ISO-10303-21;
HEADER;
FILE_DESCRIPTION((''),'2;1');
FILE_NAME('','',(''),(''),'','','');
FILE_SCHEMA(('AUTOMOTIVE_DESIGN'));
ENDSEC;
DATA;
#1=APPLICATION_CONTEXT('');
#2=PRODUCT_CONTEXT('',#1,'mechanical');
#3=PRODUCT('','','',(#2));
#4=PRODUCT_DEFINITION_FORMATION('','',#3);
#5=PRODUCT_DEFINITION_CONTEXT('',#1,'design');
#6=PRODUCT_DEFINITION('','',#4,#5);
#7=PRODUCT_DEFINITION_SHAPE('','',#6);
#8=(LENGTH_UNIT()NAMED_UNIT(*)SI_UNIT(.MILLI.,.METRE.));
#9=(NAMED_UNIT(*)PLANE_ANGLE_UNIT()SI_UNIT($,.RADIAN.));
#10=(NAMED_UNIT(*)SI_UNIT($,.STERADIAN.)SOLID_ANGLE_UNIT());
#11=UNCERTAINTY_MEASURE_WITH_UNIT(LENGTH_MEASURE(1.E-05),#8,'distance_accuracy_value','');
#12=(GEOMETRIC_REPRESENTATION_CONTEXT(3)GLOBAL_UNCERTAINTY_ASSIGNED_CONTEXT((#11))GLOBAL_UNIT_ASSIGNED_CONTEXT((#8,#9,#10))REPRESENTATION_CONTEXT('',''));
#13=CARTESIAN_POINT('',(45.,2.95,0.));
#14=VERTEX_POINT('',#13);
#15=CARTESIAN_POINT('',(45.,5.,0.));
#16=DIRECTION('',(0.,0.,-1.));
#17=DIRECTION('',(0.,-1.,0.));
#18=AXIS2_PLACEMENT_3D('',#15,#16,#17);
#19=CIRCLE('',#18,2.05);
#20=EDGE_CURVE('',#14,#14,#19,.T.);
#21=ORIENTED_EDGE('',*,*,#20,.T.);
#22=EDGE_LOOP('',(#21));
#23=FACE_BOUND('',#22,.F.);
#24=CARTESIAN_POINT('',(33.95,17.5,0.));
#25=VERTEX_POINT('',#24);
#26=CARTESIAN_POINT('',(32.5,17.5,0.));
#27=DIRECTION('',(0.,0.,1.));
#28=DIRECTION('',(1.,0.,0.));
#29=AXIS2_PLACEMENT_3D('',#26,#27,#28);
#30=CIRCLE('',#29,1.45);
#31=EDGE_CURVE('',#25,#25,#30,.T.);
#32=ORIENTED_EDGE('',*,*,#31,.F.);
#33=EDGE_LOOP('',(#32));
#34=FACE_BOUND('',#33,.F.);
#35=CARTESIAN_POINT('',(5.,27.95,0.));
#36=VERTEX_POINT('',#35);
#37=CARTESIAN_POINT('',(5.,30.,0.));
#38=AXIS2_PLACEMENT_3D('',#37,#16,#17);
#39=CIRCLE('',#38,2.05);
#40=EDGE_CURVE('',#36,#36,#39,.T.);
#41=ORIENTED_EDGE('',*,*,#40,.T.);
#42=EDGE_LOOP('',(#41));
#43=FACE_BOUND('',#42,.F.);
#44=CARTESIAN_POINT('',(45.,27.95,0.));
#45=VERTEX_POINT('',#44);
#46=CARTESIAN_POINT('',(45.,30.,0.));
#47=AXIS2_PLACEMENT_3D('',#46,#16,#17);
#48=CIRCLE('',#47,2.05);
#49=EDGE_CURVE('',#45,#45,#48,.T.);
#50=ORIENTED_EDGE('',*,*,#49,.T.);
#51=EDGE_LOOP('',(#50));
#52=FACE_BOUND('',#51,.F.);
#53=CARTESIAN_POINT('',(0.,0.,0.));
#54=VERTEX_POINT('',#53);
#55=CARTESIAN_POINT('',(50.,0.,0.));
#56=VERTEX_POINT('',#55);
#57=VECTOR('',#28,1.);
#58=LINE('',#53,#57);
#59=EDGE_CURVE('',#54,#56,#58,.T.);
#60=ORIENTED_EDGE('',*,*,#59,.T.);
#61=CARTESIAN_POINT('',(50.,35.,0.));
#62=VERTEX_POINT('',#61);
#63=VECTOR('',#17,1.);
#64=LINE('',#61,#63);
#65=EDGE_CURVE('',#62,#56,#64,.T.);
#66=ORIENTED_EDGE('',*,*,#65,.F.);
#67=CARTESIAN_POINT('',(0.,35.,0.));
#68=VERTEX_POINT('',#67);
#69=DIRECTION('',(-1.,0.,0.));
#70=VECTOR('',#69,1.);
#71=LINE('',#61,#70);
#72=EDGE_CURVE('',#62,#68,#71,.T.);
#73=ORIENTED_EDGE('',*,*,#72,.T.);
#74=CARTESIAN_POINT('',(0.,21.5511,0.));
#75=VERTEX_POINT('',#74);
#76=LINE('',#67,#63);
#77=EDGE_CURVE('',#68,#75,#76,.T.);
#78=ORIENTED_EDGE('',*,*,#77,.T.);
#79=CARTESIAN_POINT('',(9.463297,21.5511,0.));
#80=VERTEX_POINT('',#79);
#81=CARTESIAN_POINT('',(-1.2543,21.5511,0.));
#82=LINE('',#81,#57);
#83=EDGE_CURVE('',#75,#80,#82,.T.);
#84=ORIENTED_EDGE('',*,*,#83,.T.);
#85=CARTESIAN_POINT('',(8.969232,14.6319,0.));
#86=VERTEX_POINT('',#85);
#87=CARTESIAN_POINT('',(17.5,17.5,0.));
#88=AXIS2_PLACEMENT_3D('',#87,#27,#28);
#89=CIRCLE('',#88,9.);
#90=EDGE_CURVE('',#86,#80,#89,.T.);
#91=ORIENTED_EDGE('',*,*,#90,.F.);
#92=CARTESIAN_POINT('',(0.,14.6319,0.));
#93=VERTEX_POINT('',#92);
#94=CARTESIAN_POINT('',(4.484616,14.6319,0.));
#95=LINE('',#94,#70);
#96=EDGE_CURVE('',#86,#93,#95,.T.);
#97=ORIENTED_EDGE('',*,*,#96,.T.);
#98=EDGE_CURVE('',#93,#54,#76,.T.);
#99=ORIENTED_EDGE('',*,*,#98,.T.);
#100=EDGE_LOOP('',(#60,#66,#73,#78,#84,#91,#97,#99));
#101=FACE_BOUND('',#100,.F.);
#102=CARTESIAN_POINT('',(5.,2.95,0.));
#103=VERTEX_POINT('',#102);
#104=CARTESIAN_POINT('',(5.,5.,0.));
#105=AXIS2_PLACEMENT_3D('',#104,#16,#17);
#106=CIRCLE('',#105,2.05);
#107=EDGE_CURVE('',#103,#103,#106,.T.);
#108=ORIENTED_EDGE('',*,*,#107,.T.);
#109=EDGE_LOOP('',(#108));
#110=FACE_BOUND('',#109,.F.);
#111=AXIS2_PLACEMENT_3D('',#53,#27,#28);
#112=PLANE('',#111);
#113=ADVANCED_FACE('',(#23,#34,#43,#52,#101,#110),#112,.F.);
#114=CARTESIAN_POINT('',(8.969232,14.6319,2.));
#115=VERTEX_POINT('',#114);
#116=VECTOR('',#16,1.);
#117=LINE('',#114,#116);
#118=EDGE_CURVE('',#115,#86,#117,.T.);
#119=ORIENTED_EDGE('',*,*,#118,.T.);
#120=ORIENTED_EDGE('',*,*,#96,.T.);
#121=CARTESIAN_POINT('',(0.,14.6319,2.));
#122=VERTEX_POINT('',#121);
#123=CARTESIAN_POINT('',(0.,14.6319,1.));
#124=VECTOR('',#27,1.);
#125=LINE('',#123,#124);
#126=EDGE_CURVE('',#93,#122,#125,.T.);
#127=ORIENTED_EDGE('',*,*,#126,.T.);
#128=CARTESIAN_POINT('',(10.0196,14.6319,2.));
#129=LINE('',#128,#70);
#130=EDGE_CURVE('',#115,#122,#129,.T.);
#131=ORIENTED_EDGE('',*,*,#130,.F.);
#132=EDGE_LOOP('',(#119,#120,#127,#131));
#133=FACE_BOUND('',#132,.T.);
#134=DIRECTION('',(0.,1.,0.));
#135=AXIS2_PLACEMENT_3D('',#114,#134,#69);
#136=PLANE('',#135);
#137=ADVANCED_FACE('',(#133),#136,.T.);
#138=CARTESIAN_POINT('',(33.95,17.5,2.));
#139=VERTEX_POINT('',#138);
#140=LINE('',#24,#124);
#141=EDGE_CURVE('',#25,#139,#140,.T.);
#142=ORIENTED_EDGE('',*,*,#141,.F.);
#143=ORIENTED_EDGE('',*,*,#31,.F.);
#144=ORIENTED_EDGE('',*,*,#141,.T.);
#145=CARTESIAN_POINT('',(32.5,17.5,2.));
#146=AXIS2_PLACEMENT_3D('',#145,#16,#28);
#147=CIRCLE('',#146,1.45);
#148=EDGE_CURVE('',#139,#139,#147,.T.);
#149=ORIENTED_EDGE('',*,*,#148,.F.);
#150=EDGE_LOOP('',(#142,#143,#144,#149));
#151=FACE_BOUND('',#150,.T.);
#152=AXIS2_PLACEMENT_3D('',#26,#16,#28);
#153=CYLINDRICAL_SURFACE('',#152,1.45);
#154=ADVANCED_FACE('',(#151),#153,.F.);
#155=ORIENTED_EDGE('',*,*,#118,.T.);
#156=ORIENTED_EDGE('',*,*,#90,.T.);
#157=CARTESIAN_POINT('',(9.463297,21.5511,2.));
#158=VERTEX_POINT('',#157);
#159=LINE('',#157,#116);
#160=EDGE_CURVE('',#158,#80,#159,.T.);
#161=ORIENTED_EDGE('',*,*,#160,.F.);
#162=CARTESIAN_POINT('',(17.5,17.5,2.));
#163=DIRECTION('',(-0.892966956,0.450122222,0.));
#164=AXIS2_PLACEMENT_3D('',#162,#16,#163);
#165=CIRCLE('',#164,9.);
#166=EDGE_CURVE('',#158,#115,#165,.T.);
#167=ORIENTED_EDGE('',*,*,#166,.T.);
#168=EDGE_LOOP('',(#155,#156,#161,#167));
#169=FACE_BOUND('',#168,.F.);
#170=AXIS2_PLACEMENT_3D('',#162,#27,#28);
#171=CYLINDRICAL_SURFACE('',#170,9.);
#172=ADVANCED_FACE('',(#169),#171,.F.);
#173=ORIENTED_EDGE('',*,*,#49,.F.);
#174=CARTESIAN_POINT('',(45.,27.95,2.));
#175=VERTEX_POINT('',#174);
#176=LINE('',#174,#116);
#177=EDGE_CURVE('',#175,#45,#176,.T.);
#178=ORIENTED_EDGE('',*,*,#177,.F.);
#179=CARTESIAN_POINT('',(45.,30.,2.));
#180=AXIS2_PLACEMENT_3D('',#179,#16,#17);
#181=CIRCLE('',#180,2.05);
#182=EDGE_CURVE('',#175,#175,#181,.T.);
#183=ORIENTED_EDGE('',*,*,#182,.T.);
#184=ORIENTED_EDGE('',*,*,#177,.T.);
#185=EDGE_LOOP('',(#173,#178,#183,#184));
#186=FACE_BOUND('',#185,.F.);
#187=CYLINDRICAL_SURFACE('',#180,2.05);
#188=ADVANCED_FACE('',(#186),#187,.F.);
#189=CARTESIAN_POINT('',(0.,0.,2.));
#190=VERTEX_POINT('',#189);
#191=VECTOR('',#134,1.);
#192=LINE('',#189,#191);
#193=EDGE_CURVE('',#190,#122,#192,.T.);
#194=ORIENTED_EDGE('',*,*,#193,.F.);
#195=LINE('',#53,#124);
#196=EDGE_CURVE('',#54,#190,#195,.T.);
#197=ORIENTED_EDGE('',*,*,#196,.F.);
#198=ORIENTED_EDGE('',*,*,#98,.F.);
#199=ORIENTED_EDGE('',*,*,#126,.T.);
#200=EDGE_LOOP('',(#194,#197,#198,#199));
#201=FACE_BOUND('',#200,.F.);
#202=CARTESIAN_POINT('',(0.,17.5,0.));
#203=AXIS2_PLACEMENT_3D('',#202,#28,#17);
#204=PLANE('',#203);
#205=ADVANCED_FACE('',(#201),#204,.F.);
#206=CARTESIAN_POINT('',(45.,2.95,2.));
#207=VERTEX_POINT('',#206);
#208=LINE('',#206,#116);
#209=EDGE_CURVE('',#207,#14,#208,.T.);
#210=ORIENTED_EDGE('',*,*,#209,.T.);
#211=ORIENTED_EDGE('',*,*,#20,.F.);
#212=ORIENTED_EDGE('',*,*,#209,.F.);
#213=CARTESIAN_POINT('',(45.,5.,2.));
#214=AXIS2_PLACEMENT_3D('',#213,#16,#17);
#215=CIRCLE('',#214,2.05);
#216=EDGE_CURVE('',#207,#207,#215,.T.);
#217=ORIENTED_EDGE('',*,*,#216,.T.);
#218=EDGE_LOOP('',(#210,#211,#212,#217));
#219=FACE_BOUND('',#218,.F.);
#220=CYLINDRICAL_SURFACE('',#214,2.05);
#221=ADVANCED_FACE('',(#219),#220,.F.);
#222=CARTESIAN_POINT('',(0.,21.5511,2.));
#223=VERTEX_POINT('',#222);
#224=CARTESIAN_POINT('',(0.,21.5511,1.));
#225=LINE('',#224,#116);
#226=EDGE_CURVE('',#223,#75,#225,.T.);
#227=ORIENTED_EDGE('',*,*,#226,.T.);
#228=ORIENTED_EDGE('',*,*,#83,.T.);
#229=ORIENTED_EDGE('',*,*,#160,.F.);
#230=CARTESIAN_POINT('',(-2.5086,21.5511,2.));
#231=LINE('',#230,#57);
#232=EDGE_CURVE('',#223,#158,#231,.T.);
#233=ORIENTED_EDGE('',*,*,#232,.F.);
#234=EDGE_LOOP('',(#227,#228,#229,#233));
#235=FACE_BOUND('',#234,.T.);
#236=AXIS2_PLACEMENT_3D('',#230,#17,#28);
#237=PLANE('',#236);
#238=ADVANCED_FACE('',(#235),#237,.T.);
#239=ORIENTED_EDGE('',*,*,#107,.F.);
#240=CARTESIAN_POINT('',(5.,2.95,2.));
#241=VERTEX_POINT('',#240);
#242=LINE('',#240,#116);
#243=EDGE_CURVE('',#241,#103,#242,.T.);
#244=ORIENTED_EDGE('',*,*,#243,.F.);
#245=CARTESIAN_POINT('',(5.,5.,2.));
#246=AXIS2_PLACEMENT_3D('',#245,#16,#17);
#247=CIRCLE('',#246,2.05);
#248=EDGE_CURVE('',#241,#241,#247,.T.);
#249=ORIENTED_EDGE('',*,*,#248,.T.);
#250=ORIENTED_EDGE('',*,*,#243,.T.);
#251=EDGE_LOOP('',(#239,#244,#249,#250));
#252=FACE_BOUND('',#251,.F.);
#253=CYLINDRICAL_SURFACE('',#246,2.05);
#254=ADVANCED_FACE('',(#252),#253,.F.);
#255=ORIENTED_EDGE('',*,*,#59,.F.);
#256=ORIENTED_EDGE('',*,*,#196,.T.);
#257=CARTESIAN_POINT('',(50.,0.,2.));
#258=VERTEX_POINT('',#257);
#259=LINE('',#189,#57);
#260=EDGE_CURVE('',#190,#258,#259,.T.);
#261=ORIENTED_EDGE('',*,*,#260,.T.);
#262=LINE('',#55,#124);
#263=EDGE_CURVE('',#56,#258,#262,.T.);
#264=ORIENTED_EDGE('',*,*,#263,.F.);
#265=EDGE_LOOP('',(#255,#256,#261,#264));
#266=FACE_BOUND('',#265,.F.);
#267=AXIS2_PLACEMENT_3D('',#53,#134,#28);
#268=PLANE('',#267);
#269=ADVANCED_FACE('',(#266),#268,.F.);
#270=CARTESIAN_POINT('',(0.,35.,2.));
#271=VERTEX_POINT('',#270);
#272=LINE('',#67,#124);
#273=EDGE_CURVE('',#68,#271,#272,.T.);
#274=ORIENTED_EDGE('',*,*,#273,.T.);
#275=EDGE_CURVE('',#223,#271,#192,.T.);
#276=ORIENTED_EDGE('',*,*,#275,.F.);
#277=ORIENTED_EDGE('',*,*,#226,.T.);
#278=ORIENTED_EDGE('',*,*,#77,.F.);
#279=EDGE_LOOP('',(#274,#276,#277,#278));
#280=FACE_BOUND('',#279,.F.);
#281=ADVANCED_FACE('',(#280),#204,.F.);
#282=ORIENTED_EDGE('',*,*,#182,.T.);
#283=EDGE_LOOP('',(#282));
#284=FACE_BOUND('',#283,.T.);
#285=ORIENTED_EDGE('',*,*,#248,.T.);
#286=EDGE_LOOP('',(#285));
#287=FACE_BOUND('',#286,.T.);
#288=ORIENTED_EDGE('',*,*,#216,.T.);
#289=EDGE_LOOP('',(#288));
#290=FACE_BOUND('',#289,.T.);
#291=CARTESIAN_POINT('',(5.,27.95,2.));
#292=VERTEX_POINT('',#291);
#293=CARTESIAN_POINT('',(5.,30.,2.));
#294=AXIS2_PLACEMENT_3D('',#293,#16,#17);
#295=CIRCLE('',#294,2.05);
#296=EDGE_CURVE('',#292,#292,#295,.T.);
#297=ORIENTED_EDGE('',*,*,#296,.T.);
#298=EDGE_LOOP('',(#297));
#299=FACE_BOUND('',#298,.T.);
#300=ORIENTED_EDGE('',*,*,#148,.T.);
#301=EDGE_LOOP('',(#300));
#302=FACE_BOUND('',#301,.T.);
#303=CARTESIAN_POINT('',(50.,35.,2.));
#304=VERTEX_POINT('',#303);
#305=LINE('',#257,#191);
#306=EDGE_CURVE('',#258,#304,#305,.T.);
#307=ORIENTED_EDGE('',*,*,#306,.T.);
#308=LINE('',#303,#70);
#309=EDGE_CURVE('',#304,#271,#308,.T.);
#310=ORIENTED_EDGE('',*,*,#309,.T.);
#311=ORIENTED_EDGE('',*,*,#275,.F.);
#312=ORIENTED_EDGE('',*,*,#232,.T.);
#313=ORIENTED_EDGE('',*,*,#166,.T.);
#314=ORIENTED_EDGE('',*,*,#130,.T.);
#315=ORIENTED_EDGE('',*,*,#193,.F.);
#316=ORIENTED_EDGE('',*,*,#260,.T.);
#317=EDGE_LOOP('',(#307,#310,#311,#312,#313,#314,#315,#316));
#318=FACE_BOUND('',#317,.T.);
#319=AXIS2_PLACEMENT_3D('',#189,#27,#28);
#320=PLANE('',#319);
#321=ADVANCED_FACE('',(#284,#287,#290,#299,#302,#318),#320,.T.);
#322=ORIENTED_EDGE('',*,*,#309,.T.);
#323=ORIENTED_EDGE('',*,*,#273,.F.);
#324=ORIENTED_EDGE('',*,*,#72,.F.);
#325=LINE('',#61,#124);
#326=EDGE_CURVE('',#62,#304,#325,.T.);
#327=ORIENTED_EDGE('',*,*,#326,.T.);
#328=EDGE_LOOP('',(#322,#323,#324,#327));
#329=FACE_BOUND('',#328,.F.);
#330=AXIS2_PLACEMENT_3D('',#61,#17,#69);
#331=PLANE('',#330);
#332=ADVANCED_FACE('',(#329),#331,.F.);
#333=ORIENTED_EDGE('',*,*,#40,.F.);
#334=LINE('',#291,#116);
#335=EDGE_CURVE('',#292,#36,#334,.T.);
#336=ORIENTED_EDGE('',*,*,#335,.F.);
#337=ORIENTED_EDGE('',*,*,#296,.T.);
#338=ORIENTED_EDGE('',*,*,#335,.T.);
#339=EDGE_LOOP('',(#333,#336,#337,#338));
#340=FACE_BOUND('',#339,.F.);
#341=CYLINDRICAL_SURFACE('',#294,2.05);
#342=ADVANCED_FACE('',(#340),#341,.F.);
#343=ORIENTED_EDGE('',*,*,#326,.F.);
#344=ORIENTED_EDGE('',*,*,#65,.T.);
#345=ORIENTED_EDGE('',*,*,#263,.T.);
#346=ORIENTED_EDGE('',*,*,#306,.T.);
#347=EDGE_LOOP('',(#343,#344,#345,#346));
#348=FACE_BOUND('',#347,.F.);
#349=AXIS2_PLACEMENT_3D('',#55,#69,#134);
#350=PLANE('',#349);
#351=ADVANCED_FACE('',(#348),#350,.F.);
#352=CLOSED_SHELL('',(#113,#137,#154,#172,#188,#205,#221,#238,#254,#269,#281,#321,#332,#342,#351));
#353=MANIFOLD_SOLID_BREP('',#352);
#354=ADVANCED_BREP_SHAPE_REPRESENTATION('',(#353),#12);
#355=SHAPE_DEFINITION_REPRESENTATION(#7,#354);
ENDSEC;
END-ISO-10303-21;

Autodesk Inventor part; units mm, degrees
ref_plane "YZ Plane" through (0, 0, 0) normal (1, 0, 0) x (0, 1, 0)
ref_plane "XZ Plane" through (0, 0, 0) normal (0, 1, 0) x (-1, 0, 0)
ref_plane "XY Plane" through (0, 0, 0) normal (0, 0, 1) x (1, 0, 0)
sketch "Skizze1" plane through (0, 0, 0) normal (0, 0, 1) x (1, 0, 0)
  line L0 (0, 0) -> (50, 0)
  line L1 (50, 0) -> (50, 35)
  line L2 (50, 35) -> (0, 35)
  line L3 (0, 35) -> (0, 0)
  circle A0 centre (17.5, 17.5) radius 1.05
  circle A1 centre (32.5, 17.5) radius 1.45
  line L4 (0, 17.5) -> (50, 17.5)
  line L5 (50, 0) -> (50, 17.5)
  line L6 (50, 17.5) -> (50, 35)
  line L7 (17.5, 17.5) -> (0, 17.5)
  line L8 (32.5, 17.5) -> (50, 17.5)
  dimension "d0" = 2.1
  dimension "d1" = 2.9
  dimension "d2" = 15
  dimension "d16" = 17.5
  dimension "d25" = 50
extrude "Extrusion1" add sketch "Skizze1" along normal blind 2 contours L3 L4 A0 A1 L1 L0 | L3 L2 L1 L4 A1 A0
sketch "Skizze5" plane through (0, 0, 2) normal (0, 0, 1) x (1, 0, 0)
  circle A0 centre (17.5, 17.5) radius 1.05 projected
  circle A1 centre (17.5, 17.5) radius 9
  line L0 (10.0196, 14.6319) -> (-2.5086, 14.6319)
  line L1 (-2.5086, 14.6319) -> (-2.5086, 21.5511)
  line L2 (-2.5086, 21.5511) -> (10.0196, 21.5511)
  line L3 (10.0196, 21.5511) -> (10.0196, 14.6319)
  circle A2 centre (17.5, 17.5) radius 7.5 projected
  dimension "d24" = 1.5
extrude "Extrusion5" cut sketch "Skizze5" against normal through all
sketch "Skizze6" plane through (0, 0, 2) normal (0, 0, 1) x (1, 0, 0)
  line L0 (0, 14.6319) -> (0, 0) projected
  line L1 (0, 0) -> (50, 0) projected
  line L2 (50, 0) -> (50, 35) projected
  line L3 (50, 35) -> (0, 35) projected
  line L4 (5, 30) -> (45, 30)
  line L5 (45, 30) -> (45, 5)
  line L6 (45, 5) -> (5, 5)
  line L7 (5, 5) -> (5, 30)
  dimension "d26" = 5
  dimension "d27" = 5
  dimension "d28" = 5
  dimension "d29" = 5
hole "Bohrung1" at (5, 5, 2) at (5, 30, 2) at (45, 30, 2) at (45, 5, 2) direction (0, 0, -1) diameter 4.1 end through all
properties part number "GehäuseFront"
